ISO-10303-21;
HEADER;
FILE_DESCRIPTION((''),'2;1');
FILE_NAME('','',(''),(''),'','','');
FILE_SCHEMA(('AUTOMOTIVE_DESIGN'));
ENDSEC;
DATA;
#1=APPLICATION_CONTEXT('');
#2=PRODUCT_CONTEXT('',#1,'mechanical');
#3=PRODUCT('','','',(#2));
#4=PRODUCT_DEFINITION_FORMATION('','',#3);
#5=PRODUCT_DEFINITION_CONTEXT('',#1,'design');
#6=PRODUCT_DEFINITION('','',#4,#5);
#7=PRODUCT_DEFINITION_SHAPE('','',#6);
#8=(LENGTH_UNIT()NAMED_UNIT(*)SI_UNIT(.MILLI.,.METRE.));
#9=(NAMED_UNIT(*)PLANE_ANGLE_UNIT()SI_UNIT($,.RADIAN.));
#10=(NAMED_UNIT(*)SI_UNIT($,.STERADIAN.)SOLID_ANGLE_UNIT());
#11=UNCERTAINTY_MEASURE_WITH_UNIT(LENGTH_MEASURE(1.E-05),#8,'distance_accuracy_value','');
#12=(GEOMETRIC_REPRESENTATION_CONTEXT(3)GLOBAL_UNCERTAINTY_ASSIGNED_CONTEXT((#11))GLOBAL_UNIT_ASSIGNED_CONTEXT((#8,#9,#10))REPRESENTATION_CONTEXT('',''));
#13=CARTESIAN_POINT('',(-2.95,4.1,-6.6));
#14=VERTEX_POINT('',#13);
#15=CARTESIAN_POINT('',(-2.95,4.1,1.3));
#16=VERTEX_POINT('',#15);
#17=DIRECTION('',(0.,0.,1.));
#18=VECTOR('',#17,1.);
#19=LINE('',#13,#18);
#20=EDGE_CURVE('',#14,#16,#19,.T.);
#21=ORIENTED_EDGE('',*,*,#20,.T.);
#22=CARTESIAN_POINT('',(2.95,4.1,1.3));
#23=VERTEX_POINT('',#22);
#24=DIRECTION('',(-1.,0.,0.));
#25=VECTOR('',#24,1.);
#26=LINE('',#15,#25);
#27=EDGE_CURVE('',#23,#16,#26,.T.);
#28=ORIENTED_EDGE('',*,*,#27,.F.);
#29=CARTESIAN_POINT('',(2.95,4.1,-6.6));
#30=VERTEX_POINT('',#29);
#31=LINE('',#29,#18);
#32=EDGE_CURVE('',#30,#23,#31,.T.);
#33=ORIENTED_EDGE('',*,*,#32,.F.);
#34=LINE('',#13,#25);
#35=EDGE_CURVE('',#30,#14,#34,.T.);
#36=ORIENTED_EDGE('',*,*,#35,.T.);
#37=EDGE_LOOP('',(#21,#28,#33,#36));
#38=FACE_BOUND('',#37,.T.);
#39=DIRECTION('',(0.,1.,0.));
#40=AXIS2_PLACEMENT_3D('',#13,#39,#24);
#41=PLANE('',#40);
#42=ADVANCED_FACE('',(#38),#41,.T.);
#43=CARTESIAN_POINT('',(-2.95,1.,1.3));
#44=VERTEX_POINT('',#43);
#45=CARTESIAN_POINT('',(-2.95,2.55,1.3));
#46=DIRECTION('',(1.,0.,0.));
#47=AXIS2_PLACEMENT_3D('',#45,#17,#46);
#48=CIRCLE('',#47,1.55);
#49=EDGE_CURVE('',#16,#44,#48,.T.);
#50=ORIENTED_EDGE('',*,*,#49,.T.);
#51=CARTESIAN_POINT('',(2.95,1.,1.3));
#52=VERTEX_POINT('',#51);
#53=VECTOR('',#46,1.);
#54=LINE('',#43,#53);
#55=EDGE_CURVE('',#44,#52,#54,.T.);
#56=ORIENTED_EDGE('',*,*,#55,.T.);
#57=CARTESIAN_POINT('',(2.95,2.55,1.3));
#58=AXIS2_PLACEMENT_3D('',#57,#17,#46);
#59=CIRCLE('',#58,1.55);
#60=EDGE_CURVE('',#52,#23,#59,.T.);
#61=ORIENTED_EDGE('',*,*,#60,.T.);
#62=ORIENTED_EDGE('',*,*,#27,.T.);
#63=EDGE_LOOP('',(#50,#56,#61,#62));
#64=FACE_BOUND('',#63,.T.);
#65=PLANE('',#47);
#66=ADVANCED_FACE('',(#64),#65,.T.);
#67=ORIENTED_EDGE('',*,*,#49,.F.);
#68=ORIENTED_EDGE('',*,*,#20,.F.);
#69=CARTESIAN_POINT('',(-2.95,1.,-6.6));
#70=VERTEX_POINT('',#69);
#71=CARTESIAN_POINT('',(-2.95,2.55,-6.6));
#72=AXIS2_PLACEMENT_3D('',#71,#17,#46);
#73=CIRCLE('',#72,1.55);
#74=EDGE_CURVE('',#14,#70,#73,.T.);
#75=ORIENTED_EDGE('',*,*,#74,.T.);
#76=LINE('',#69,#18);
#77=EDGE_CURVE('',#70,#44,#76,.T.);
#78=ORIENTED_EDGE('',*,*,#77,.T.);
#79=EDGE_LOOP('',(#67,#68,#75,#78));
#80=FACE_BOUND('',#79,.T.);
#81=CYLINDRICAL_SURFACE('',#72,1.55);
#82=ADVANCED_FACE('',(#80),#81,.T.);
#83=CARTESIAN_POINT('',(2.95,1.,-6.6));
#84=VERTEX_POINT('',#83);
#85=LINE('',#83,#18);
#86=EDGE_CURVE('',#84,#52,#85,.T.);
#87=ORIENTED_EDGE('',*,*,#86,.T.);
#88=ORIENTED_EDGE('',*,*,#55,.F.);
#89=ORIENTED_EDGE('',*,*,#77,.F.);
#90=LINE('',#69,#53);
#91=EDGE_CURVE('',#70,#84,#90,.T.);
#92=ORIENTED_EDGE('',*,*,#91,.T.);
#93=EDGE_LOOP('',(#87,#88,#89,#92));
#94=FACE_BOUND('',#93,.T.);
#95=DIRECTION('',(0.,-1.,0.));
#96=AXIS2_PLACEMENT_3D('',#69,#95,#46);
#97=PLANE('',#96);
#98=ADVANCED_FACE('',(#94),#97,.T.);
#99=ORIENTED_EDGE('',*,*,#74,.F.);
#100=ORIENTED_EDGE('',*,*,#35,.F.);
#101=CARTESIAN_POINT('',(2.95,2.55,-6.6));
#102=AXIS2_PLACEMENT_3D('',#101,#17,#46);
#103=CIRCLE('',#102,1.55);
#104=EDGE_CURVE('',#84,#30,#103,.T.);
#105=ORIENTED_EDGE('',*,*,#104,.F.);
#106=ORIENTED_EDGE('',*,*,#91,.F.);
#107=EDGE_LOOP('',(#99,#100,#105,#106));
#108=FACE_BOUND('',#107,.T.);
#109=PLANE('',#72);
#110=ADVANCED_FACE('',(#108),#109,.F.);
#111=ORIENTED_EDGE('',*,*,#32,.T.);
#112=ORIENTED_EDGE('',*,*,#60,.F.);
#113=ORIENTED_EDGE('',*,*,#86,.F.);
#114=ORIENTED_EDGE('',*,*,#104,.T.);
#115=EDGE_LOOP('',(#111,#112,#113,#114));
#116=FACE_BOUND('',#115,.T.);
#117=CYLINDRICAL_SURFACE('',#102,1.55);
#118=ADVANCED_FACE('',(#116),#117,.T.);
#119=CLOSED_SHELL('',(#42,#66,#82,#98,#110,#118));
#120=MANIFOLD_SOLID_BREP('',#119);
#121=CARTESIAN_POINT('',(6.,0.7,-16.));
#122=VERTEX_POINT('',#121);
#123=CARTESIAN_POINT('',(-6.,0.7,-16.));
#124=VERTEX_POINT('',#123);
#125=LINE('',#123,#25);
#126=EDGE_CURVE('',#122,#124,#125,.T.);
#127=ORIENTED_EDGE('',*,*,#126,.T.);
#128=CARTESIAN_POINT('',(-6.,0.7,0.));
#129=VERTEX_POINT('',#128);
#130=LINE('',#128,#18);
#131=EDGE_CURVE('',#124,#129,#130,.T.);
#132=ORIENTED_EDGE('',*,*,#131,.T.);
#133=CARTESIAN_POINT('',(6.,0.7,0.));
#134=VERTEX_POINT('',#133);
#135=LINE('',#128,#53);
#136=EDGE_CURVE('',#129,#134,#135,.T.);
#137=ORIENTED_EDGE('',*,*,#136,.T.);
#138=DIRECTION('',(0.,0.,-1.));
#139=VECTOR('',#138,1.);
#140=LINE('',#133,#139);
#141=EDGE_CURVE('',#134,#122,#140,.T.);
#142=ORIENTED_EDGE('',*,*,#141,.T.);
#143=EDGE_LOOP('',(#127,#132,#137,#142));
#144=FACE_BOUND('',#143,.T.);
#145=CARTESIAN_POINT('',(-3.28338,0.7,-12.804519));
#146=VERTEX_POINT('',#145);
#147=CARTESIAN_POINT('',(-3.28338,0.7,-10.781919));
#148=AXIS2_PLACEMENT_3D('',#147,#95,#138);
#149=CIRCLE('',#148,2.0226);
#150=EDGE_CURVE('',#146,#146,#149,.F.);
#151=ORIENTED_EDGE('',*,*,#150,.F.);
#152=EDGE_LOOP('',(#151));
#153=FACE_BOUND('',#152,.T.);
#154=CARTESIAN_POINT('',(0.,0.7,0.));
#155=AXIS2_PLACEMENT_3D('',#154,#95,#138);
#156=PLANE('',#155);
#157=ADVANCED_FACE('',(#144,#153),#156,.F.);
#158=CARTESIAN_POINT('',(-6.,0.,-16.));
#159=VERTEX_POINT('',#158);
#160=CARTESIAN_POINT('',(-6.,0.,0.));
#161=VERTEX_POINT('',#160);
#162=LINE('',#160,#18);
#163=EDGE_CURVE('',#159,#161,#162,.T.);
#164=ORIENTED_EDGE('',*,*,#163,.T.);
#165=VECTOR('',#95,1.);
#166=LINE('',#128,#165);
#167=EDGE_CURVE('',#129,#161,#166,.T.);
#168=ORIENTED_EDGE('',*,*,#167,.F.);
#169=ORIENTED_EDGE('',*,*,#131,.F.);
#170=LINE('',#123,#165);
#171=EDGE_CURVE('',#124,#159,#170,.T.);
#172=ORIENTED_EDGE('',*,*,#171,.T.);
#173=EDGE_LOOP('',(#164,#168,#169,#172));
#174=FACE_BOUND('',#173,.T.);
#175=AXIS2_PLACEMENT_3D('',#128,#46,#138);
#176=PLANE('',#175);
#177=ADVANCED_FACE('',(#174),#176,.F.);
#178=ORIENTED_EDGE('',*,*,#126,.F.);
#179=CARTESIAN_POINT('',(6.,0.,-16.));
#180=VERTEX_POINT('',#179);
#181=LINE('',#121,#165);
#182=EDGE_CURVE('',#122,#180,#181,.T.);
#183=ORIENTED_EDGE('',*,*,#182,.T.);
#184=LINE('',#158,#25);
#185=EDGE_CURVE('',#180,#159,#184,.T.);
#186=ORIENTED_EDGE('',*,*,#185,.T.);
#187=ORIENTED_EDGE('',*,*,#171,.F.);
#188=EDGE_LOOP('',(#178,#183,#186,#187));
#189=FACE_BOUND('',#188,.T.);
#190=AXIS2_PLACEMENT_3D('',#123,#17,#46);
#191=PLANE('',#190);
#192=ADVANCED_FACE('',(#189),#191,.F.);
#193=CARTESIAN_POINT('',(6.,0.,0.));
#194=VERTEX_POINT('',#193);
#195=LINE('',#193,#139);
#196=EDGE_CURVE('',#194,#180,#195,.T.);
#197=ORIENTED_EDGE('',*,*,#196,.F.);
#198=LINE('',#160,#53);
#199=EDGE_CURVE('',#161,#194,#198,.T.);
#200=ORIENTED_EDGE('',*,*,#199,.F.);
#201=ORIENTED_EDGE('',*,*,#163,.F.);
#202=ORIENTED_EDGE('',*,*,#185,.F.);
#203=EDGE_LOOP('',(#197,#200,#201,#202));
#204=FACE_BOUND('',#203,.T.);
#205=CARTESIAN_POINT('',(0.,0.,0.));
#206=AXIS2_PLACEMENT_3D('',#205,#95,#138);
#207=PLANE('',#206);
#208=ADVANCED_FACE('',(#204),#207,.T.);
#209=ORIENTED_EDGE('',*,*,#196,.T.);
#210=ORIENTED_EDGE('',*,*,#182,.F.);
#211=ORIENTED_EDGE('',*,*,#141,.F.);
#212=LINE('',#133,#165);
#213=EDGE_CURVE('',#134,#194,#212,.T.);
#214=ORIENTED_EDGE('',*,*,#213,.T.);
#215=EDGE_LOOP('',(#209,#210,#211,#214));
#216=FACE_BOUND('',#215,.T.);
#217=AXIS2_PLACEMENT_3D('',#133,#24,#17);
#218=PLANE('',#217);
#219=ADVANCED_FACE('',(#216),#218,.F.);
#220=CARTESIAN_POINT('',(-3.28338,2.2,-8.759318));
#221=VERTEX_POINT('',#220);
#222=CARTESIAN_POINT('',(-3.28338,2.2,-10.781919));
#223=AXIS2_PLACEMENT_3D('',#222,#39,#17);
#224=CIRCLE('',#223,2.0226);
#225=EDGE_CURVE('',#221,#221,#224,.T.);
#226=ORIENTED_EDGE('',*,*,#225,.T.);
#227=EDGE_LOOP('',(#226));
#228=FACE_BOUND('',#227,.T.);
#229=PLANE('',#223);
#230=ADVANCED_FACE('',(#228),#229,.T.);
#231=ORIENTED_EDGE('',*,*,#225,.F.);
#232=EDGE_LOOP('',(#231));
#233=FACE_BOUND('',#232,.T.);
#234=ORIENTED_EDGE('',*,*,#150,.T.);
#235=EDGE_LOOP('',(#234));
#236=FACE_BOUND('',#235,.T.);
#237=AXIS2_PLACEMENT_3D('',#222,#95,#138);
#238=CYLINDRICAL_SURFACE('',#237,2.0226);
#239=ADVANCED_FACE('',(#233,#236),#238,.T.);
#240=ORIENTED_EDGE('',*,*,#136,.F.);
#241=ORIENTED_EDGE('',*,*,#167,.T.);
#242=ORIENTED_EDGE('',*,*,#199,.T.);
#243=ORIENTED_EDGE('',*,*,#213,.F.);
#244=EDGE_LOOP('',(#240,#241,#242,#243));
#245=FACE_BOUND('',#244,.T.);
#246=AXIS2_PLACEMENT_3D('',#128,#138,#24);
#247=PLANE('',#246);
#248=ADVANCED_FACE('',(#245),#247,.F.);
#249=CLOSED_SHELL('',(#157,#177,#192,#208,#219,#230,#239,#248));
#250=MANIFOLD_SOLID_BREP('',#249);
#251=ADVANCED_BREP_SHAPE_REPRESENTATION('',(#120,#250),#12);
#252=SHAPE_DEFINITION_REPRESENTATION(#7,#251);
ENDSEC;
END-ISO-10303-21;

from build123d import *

# Parameters (mm, degrees)
SKETCH_1_W      = 12
SKETCH_1_H      = 16
EXTRUDE_1_DEPTH = 0.7
EXTRUDE_START   = 1.3
EXTRUDE_2_DEPTH = 7.9
SKETCH_3_R      = 2.022600204
EXTRUDE_3_DEPTH = 2.2


with BuildPart() as part:
    # Эскиз1 → Бобышка-Вытянуть1 (new body)
    with BuildSketch(Plane(origin=(0, 0, 0), x_dir=(1, 0, 0), z_dir=(0, 1, 0))):
        with Locations((0, 8)):
            Rectangle(SKETCH_1_W, SKETCH_1_H)
    extrude(amount=EXTRUDE_1_DEPTH)

    # Эскиз3 → Бобышка-Вытянуть3 (add)
    with BuildSketch(Plane(origin=(0, 0, 0), x_dir=(1, 0, 0), z_dir=(0, 1, 0))):
        with Locations(Location((-3.283380281, 10.781918689, 0), (0, 0, 90))):
            Circle(SKETCH_3_R)
    extrude(amount=EXTRUDE_3_DEPTH)


with BuildPart() as body_2:
    # Эскиз2 → Бобышка-Вытянуть2 (new body)
    with BuildSketch(Plane.XY.offset(EXTRUDE_START)):
        with BuildLine():
            Line((-2.95, 4.1), (2.95, 4.1))
            ThreePointArc((2.95, 4.1), (4.5, 2.55), (2.95, 1))
            Line((2.95, 1), (-2.95, 1))
            ThreePointArc((-2.95, 1), (-4.5, 2.55), (-2.95, 4.1))
        make_face()
    extrude(amount=-EXTRUDE_2_DEPTH)


solid = Compound([part.part, body_2.part])
